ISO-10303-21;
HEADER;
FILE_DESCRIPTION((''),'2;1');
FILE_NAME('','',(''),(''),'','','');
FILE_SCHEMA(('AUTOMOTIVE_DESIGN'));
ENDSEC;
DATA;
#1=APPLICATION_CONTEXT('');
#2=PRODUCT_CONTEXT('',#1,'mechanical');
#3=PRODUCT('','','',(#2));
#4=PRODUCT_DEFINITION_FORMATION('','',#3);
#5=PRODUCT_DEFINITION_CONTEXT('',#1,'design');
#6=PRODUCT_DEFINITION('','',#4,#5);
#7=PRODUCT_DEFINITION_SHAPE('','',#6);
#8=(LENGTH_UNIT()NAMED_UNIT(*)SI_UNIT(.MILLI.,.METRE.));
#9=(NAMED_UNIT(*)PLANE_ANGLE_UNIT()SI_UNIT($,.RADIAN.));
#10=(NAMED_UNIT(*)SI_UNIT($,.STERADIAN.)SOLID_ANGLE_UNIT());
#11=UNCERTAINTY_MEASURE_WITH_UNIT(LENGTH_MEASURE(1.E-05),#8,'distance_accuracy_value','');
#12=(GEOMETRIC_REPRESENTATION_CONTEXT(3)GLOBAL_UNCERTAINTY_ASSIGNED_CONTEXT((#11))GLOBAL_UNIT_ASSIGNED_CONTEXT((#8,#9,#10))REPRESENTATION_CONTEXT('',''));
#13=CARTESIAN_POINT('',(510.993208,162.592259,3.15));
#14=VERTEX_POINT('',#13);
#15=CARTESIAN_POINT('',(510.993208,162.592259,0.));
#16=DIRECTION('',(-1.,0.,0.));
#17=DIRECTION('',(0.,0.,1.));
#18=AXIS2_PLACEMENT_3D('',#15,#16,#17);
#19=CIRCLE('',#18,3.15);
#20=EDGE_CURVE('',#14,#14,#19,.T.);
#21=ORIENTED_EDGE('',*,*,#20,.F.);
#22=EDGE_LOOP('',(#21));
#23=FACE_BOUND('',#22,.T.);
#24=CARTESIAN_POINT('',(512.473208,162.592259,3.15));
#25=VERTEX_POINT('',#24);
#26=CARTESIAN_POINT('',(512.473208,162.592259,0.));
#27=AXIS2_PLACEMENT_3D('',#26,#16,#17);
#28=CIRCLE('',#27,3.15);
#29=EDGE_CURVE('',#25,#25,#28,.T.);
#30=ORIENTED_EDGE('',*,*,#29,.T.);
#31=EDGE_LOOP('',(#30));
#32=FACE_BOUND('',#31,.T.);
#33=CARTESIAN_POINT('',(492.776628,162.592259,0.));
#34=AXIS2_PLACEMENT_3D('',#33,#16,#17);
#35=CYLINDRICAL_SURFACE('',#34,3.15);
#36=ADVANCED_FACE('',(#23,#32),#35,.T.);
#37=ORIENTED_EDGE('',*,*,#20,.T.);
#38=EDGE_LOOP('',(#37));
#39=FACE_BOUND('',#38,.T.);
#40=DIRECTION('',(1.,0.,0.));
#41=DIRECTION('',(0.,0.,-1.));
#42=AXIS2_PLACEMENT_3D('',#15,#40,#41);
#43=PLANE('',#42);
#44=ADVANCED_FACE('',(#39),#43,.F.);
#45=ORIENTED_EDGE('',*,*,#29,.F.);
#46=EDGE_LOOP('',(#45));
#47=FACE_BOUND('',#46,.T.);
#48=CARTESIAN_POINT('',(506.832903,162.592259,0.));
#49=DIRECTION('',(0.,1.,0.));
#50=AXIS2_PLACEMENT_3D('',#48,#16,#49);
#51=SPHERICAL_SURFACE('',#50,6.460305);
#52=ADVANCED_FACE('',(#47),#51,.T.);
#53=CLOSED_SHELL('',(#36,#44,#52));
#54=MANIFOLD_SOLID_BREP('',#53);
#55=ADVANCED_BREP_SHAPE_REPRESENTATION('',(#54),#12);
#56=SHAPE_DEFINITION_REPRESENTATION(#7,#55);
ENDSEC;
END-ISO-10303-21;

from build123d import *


with BuildPart() as part:
    # 草图1 → 旋转1 (revolve)
    with BuildSketch(Plane.XY):
        with BuildLine():
            Line((510.993207581, 162.592259458), (510.993207581, 165.742259458))
            Line((510.993207581, 165.742259458), (512.473207581, 165.742259458))
            ThreePointArc((512.473207581, 165.742259458), (513.08484753, 164.219749857), (513.293207581, 162.592259458))
            Line((513.293207581, 162.592259458), (510.993207581, 162.592259458))
        make_face()
    revolve(axis=Axis((492.776627745, 162.592259458, 0), (1, 0, 0)))


solid = part.part
